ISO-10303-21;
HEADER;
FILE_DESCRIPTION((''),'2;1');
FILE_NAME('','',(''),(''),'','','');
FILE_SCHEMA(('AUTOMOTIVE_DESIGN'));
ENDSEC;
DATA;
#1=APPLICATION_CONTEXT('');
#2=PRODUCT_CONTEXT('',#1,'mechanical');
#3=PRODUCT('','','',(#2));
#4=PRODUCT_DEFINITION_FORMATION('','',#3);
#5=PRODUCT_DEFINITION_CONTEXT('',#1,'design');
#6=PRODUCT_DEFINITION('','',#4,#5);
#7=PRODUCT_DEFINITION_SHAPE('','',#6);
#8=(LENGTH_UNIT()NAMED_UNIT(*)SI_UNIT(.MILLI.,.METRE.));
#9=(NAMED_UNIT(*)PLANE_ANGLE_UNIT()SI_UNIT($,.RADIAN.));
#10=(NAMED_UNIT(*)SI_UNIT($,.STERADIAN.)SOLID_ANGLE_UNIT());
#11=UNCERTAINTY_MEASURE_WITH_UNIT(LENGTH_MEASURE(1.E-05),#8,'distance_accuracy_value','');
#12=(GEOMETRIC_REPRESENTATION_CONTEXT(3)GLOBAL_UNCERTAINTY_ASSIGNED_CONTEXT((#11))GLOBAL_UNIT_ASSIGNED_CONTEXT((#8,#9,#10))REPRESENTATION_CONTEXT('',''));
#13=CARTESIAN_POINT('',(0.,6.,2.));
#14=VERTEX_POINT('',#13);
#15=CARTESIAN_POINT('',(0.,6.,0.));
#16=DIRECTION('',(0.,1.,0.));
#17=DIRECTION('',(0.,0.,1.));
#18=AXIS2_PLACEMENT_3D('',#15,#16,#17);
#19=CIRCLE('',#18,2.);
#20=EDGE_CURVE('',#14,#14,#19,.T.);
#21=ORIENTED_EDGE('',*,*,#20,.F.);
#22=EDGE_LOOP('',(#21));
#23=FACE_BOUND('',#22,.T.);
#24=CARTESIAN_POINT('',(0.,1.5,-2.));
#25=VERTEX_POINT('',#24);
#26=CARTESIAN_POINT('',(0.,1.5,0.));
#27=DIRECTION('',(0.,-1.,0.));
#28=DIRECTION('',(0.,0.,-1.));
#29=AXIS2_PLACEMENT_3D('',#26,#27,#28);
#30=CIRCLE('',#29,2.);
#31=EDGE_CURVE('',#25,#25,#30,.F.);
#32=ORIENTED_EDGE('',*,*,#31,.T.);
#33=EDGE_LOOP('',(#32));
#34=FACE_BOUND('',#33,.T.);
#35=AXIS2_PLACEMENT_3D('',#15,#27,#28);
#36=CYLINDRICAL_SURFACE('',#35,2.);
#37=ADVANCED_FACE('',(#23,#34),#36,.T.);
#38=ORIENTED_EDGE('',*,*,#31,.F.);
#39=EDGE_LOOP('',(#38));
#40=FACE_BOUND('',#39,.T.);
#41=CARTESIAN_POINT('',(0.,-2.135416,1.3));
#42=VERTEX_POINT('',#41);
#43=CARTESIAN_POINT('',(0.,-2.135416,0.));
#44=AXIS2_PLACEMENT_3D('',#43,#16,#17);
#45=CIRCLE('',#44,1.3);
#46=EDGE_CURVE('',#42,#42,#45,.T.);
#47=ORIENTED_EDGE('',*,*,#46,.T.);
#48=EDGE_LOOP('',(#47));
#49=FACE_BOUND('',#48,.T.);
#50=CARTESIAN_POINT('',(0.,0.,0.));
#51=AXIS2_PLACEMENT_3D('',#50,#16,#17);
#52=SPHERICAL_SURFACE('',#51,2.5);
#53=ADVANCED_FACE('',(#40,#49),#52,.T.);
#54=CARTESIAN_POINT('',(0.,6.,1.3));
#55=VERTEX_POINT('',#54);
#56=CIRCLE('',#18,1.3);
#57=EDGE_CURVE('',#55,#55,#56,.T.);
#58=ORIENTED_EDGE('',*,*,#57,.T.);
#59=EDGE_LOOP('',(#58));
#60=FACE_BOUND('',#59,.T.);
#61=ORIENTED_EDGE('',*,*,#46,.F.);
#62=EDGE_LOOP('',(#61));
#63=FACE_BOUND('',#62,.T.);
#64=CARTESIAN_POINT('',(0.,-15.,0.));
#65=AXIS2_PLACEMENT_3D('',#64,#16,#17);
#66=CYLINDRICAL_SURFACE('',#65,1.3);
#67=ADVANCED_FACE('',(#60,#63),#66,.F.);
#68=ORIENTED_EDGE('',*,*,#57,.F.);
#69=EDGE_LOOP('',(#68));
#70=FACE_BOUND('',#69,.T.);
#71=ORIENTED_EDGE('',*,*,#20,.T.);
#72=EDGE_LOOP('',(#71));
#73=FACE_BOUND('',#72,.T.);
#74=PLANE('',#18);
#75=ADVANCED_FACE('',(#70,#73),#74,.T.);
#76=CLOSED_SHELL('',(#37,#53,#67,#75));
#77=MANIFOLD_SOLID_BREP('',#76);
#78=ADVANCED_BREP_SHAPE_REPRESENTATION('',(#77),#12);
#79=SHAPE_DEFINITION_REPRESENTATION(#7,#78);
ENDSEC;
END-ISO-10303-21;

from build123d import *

# Parameters (mm, degrees)
SKETCH2_R           = 1.3
CUT_EXTRUDE1_DEPTH  = 15
BOSS_EXTRUDE1_START = 6
SKETCH3_R           = 2
SKETCH3_R_2         = 1.3
BOSS_EXTRUDE1_DEPTH = 6


with BuildPart() as part:
    # Sketch1 → Revolve2 (revolve)
    with BuildSketch(Plane.XY):
        with BuildLine():
            Line((-2.5, 0), (2.5, 0))
            ThreePointArc((2.5, 0), (0, -2.5), (-2.5, 0))
        make_face()
    revolve(axis=Axis((4.664316952, 0, 0), (-1, 0, 0)))

    # Sketch2 → Cut-Extrude1 (cut, symmetric)
    with BuildSketch(Plane(origin=(0, 0, 0), x_dir=(1, 0, 0), z_dir=(0, 1, 0))):
        with Locations(Location((0, 0, 0), (0, 0, 90))):
            Circle(SKETCH2_R)
    extrude(amount=CUT_EXTRUDE1_DEPTH, both=True, mode=Mode.SUBTRACT)

    # Sketch3 → Boss-Extrude1 (add)
    with BuildSketch(Plane(origin=(0, 0, 0), x_dir=(1, 0, 0), z_dir=(0, 1, 0)).offset(BOSS_EXTRUDE1_START)):
        with Locations(Location((0, 0, 0), (0, 0, 270))):
            Circle(SKETCH3_R)
        with Locations(Location((0, 0, 0), (0, 0, 270))):
            Circle(SKETCH3_R_2, mode=Mode.SUBTRACT)
    extrude(amount=-BOSS_EXTRUDE1_DEPTH)


solid = part.part
